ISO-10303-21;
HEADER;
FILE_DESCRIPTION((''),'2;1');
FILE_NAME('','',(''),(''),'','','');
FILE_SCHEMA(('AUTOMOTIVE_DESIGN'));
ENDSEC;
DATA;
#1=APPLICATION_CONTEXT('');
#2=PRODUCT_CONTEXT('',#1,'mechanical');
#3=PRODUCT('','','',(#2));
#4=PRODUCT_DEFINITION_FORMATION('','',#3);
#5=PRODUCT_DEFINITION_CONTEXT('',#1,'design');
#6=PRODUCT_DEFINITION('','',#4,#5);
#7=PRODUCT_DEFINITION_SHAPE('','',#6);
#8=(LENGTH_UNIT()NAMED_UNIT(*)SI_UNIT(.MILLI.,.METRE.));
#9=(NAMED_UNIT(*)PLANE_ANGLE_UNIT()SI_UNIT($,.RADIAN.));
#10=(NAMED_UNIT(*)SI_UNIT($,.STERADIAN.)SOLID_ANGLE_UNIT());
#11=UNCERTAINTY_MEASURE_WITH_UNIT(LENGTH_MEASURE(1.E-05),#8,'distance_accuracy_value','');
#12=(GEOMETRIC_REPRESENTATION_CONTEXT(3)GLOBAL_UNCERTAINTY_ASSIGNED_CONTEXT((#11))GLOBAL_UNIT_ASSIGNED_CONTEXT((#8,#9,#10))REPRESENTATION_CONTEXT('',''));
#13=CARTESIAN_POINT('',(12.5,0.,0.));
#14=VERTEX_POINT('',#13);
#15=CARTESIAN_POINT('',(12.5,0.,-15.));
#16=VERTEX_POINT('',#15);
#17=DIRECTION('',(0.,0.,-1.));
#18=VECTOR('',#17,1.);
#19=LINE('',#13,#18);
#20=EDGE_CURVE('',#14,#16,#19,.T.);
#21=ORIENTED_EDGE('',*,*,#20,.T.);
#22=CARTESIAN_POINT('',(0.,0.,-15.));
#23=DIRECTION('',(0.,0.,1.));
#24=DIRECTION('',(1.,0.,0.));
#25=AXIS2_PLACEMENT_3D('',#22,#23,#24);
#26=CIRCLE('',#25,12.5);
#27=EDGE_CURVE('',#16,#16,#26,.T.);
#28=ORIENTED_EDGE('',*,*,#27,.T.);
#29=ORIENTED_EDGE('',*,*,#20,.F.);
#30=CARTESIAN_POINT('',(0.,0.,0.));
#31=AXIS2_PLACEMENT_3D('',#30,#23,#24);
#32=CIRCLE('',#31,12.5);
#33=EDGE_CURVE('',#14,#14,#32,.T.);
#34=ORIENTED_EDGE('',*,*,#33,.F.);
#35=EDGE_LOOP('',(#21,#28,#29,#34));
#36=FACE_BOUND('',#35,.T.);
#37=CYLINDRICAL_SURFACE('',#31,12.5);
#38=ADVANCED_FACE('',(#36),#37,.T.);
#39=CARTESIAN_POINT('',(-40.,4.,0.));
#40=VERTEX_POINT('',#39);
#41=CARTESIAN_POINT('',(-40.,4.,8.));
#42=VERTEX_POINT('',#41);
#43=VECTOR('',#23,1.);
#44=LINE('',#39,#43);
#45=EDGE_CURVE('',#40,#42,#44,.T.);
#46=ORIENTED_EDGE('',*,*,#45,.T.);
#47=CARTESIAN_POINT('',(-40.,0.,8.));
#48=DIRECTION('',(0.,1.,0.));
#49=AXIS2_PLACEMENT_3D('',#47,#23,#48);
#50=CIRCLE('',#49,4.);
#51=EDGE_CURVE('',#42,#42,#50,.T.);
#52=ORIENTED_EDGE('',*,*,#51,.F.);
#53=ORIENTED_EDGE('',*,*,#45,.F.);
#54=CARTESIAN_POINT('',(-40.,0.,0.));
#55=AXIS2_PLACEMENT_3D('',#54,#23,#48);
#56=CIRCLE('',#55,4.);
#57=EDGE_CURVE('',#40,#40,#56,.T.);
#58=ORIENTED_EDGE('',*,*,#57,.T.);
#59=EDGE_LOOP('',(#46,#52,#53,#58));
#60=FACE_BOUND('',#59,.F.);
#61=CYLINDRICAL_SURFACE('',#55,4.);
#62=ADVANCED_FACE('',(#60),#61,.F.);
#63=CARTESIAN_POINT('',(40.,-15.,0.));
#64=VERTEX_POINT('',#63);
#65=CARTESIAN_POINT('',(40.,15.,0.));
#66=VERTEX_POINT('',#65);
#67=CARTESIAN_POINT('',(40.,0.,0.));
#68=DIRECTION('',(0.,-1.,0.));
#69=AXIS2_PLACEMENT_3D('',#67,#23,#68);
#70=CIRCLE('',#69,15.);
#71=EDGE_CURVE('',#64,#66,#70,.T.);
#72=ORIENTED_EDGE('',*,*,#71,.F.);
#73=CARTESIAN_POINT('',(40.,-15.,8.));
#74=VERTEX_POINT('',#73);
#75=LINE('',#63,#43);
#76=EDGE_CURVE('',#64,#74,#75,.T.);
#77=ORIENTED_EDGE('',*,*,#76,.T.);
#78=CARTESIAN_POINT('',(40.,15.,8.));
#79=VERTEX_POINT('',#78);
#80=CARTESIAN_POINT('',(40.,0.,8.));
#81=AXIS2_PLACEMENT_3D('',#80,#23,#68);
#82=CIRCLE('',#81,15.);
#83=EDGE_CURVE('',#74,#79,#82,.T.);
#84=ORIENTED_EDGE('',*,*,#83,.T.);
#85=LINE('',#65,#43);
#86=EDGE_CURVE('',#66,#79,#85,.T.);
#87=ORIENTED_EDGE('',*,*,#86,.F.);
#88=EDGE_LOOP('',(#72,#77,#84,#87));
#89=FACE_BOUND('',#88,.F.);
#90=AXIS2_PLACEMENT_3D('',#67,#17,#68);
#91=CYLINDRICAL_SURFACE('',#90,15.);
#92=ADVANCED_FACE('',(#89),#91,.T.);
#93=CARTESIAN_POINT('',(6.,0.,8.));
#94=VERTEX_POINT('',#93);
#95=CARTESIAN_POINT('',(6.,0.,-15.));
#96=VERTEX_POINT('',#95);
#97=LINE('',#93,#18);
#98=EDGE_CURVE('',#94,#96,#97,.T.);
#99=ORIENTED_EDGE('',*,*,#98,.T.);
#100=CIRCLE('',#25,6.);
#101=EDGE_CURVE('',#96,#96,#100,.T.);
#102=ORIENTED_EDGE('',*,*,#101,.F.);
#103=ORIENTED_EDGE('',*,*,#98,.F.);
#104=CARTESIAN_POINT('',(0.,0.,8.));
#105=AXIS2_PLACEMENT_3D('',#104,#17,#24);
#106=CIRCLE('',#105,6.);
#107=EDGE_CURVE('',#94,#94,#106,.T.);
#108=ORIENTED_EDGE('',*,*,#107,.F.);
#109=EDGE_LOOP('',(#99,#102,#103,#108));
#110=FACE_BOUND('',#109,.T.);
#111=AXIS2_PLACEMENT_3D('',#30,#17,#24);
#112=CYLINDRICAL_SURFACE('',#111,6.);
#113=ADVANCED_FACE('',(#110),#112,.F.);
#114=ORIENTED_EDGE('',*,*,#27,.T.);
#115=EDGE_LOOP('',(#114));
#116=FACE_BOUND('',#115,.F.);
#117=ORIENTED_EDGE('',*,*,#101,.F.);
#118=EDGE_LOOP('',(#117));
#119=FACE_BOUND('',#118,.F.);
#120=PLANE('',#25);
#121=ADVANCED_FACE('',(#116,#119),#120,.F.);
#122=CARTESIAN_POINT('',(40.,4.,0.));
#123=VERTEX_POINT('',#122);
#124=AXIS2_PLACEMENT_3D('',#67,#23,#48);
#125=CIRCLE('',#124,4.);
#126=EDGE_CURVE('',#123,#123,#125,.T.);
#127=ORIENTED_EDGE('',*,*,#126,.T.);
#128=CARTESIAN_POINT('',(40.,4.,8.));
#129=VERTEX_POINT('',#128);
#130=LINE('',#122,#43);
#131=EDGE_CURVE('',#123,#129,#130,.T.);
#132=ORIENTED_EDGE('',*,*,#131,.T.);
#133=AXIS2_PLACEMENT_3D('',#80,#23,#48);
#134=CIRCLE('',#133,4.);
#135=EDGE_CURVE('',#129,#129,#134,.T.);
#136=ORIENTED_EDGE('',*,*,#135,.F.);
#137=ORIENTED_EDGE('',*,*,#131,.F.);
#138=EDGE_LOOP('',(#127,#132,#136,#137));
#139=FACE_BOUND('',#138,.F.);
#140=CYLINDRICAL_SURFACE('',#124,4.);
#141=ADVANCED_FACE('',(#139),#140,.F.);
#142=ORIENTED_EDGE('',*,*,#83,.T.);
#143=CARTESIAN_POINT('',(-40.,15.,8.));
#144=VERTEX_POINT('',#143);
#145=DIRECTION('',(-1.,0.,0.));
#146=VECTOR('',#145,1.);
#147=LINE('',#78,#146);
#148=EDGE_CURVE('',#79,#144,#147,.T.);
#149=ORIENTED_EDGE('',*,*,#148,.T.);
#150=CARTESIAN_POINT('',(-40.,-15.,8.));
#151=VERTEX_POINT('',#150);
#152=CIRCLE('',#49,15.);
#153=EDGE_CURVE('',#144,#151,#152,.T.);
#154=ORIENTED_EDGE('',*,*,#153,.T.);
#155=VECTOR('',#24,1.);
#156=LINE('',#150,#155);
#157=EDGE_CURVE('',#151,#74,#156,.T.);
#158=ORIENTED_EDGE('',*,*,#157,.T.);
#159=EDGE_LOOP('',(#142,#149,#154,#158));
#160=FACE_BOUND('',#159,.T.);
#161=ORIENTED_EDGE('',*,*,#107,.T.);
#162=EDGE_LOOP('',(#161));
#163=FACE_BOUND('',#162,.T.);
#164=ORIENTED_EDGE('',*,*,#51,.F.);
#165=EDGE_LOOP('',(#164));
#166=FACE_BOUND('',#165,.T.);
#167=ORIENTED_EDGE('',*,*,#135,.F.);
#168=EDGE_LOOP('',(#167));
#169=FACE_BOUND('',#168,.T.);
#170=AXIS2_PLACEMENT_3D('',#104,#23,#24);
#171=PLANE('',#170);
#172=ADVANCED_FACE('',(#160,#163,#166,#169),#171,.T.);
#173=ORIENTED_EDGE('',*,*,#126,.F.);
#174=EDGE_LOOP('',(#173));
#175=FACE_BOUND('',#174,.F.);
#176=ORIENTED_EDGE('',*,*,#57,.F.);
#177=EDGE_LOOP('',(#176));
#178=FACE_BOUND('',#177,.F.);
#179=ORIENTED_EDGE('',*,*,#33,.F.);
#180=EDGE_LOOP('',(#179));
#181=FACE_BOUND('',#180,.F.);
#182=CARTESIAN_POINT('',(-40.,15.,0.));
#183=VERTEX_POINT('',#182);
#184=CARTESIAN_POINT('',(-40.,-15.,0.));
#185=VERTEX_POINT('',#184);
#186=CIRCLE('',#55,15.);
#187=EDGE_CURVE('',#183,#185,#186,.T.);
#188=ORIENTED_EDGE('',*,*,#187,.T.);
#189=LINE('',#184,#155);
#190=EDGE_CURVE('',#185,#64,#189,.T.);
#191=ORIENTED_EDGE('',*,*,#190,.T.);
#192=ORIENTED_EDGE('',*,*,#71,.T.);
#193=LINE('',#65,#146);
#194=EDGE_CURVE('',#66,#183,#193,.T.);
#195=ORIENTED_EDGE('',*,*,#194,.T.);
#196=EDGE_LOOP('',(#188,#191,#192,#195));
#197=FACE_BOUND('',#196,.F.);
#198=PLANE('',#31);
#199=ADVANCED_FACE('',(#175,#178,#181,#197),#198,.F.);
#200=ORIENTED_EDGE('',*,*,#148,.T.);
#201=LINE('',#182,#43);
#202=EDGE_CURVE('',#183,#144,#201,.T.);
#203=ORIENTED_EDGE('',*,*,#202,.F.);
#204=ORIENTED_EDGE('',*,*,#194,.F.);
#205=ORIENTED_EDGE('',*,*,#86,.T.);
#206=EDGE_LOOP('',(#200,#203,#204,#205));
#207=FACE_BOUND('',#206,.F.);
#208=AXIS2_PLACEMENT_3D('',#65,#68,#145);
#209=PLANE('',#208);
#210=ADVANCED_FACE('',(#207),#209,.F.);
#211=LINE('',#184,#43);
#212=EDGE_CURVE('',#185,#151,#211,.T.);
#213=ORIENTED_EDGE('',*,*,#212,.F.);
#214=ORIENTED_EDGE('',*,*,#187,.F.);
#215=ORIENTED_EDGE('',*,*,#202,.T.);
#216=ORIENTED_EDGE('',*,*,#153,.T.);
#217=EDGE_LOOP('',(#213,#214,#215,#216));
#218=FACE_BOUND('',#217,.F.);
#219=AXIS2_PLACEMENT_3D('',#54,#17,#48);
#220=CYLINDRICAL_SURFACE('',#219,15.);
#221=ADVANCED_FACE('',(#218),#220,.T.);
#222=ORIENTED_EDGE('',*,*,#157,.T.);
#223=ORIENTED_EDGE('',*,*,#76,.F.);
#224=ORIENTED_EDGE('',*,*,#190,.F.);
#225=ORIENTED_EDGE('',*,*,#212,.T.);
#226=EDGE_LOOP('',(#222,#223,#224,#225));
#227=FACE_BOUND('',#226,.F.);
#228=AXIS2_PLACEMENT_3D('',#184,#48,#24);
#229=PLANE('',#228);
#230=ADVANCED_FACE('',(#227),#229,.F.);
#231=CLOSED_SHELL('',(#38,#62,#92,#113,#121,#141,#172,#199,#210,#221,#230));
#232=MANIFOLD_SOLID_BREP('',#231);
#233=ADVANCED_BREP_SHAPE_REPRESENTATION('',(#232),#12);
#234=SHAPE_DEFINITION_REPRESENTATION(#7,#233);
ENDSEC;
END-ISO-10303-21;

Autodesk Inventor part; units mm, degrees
ref_plane "YZ Plane" through (0, 0, 0) normal (1, 0, 0) x (0, 1, 0)
ref_plane "XZ Plane" through (0, 0, 0) normal (0, 1, 0) x (-1, 0, 0)
ref_plane "XY Plane" through (0, 0, 0) normal (0, 0, 1) x (1, 0, 0)
sketch "Эскиз1" plane through (0, 0, 0) normal (0, 0, 1) x (1, 0, 0)
  line L0 (-40, 0) -> (40, 0) construction
  line L1 (-40, -15) -> (40, -15)
  line L2 (40, 15) -> (-40, 15)
  arc A0 (-40, 15) -> (-40, -15) centre (-40, 0) ccw
  arc A1 (40, -15) -> (40, 15) centre (40, 0) ccw
  circle A2 centre (0, 0) radius 12.5
  circle A3 centre (-40, 0) radius 5
  circle A4 centre (40, 0) radius 5
  circle A5 centre (0, 0) radius 6
  dimension "d1" = 30
  dimension "d2" = 80
  dimension "d5" = 25
  dimension "d6" = 10
  dimension "d7" = 10
  dimension "d8" = 12
extrude "Выдавливание1" add sketch "Эскиз1" along normal blind 8 contours A0 L2 A1 L1 | A2 | A3 | A4 | A5
hole "Отверстие1" at (40, 0, 0) direction (0, 0, 1) diameter 8 end through all
hole "Отверстие2" at (-40, 0, 0) direction (0, 0, 1) diameter 8 end through all
extrude "Выдавливание2" add sketch "Эскиз1" against normal blind 15 contours A2
extrude "Выдавливание3" cut sketch "Эскиз1" along normal blind 15 contours A5
equation "\"Радиус_гибки\" = Толщина"
equation "\"Ширина_просечки\" = Толщина"
equation "\"Глубина_просечки\" = 0.5 * Толщина"
equation "\"Размер_просечки\" = 4 * Толщина"
equation "\"Мин_остаток\" = 2 * Толщина"
equation "\"Радиус_перехода\" = Радиус_гибки"
equation "\"Радиус_Якоби\" = Толщина"
equation "\"Размер_зазора\" = Толщина"
equation "\"Толщина\" = 0.5"
properties part number "pr3defauldetail" material "Нержавеющая сталь"
